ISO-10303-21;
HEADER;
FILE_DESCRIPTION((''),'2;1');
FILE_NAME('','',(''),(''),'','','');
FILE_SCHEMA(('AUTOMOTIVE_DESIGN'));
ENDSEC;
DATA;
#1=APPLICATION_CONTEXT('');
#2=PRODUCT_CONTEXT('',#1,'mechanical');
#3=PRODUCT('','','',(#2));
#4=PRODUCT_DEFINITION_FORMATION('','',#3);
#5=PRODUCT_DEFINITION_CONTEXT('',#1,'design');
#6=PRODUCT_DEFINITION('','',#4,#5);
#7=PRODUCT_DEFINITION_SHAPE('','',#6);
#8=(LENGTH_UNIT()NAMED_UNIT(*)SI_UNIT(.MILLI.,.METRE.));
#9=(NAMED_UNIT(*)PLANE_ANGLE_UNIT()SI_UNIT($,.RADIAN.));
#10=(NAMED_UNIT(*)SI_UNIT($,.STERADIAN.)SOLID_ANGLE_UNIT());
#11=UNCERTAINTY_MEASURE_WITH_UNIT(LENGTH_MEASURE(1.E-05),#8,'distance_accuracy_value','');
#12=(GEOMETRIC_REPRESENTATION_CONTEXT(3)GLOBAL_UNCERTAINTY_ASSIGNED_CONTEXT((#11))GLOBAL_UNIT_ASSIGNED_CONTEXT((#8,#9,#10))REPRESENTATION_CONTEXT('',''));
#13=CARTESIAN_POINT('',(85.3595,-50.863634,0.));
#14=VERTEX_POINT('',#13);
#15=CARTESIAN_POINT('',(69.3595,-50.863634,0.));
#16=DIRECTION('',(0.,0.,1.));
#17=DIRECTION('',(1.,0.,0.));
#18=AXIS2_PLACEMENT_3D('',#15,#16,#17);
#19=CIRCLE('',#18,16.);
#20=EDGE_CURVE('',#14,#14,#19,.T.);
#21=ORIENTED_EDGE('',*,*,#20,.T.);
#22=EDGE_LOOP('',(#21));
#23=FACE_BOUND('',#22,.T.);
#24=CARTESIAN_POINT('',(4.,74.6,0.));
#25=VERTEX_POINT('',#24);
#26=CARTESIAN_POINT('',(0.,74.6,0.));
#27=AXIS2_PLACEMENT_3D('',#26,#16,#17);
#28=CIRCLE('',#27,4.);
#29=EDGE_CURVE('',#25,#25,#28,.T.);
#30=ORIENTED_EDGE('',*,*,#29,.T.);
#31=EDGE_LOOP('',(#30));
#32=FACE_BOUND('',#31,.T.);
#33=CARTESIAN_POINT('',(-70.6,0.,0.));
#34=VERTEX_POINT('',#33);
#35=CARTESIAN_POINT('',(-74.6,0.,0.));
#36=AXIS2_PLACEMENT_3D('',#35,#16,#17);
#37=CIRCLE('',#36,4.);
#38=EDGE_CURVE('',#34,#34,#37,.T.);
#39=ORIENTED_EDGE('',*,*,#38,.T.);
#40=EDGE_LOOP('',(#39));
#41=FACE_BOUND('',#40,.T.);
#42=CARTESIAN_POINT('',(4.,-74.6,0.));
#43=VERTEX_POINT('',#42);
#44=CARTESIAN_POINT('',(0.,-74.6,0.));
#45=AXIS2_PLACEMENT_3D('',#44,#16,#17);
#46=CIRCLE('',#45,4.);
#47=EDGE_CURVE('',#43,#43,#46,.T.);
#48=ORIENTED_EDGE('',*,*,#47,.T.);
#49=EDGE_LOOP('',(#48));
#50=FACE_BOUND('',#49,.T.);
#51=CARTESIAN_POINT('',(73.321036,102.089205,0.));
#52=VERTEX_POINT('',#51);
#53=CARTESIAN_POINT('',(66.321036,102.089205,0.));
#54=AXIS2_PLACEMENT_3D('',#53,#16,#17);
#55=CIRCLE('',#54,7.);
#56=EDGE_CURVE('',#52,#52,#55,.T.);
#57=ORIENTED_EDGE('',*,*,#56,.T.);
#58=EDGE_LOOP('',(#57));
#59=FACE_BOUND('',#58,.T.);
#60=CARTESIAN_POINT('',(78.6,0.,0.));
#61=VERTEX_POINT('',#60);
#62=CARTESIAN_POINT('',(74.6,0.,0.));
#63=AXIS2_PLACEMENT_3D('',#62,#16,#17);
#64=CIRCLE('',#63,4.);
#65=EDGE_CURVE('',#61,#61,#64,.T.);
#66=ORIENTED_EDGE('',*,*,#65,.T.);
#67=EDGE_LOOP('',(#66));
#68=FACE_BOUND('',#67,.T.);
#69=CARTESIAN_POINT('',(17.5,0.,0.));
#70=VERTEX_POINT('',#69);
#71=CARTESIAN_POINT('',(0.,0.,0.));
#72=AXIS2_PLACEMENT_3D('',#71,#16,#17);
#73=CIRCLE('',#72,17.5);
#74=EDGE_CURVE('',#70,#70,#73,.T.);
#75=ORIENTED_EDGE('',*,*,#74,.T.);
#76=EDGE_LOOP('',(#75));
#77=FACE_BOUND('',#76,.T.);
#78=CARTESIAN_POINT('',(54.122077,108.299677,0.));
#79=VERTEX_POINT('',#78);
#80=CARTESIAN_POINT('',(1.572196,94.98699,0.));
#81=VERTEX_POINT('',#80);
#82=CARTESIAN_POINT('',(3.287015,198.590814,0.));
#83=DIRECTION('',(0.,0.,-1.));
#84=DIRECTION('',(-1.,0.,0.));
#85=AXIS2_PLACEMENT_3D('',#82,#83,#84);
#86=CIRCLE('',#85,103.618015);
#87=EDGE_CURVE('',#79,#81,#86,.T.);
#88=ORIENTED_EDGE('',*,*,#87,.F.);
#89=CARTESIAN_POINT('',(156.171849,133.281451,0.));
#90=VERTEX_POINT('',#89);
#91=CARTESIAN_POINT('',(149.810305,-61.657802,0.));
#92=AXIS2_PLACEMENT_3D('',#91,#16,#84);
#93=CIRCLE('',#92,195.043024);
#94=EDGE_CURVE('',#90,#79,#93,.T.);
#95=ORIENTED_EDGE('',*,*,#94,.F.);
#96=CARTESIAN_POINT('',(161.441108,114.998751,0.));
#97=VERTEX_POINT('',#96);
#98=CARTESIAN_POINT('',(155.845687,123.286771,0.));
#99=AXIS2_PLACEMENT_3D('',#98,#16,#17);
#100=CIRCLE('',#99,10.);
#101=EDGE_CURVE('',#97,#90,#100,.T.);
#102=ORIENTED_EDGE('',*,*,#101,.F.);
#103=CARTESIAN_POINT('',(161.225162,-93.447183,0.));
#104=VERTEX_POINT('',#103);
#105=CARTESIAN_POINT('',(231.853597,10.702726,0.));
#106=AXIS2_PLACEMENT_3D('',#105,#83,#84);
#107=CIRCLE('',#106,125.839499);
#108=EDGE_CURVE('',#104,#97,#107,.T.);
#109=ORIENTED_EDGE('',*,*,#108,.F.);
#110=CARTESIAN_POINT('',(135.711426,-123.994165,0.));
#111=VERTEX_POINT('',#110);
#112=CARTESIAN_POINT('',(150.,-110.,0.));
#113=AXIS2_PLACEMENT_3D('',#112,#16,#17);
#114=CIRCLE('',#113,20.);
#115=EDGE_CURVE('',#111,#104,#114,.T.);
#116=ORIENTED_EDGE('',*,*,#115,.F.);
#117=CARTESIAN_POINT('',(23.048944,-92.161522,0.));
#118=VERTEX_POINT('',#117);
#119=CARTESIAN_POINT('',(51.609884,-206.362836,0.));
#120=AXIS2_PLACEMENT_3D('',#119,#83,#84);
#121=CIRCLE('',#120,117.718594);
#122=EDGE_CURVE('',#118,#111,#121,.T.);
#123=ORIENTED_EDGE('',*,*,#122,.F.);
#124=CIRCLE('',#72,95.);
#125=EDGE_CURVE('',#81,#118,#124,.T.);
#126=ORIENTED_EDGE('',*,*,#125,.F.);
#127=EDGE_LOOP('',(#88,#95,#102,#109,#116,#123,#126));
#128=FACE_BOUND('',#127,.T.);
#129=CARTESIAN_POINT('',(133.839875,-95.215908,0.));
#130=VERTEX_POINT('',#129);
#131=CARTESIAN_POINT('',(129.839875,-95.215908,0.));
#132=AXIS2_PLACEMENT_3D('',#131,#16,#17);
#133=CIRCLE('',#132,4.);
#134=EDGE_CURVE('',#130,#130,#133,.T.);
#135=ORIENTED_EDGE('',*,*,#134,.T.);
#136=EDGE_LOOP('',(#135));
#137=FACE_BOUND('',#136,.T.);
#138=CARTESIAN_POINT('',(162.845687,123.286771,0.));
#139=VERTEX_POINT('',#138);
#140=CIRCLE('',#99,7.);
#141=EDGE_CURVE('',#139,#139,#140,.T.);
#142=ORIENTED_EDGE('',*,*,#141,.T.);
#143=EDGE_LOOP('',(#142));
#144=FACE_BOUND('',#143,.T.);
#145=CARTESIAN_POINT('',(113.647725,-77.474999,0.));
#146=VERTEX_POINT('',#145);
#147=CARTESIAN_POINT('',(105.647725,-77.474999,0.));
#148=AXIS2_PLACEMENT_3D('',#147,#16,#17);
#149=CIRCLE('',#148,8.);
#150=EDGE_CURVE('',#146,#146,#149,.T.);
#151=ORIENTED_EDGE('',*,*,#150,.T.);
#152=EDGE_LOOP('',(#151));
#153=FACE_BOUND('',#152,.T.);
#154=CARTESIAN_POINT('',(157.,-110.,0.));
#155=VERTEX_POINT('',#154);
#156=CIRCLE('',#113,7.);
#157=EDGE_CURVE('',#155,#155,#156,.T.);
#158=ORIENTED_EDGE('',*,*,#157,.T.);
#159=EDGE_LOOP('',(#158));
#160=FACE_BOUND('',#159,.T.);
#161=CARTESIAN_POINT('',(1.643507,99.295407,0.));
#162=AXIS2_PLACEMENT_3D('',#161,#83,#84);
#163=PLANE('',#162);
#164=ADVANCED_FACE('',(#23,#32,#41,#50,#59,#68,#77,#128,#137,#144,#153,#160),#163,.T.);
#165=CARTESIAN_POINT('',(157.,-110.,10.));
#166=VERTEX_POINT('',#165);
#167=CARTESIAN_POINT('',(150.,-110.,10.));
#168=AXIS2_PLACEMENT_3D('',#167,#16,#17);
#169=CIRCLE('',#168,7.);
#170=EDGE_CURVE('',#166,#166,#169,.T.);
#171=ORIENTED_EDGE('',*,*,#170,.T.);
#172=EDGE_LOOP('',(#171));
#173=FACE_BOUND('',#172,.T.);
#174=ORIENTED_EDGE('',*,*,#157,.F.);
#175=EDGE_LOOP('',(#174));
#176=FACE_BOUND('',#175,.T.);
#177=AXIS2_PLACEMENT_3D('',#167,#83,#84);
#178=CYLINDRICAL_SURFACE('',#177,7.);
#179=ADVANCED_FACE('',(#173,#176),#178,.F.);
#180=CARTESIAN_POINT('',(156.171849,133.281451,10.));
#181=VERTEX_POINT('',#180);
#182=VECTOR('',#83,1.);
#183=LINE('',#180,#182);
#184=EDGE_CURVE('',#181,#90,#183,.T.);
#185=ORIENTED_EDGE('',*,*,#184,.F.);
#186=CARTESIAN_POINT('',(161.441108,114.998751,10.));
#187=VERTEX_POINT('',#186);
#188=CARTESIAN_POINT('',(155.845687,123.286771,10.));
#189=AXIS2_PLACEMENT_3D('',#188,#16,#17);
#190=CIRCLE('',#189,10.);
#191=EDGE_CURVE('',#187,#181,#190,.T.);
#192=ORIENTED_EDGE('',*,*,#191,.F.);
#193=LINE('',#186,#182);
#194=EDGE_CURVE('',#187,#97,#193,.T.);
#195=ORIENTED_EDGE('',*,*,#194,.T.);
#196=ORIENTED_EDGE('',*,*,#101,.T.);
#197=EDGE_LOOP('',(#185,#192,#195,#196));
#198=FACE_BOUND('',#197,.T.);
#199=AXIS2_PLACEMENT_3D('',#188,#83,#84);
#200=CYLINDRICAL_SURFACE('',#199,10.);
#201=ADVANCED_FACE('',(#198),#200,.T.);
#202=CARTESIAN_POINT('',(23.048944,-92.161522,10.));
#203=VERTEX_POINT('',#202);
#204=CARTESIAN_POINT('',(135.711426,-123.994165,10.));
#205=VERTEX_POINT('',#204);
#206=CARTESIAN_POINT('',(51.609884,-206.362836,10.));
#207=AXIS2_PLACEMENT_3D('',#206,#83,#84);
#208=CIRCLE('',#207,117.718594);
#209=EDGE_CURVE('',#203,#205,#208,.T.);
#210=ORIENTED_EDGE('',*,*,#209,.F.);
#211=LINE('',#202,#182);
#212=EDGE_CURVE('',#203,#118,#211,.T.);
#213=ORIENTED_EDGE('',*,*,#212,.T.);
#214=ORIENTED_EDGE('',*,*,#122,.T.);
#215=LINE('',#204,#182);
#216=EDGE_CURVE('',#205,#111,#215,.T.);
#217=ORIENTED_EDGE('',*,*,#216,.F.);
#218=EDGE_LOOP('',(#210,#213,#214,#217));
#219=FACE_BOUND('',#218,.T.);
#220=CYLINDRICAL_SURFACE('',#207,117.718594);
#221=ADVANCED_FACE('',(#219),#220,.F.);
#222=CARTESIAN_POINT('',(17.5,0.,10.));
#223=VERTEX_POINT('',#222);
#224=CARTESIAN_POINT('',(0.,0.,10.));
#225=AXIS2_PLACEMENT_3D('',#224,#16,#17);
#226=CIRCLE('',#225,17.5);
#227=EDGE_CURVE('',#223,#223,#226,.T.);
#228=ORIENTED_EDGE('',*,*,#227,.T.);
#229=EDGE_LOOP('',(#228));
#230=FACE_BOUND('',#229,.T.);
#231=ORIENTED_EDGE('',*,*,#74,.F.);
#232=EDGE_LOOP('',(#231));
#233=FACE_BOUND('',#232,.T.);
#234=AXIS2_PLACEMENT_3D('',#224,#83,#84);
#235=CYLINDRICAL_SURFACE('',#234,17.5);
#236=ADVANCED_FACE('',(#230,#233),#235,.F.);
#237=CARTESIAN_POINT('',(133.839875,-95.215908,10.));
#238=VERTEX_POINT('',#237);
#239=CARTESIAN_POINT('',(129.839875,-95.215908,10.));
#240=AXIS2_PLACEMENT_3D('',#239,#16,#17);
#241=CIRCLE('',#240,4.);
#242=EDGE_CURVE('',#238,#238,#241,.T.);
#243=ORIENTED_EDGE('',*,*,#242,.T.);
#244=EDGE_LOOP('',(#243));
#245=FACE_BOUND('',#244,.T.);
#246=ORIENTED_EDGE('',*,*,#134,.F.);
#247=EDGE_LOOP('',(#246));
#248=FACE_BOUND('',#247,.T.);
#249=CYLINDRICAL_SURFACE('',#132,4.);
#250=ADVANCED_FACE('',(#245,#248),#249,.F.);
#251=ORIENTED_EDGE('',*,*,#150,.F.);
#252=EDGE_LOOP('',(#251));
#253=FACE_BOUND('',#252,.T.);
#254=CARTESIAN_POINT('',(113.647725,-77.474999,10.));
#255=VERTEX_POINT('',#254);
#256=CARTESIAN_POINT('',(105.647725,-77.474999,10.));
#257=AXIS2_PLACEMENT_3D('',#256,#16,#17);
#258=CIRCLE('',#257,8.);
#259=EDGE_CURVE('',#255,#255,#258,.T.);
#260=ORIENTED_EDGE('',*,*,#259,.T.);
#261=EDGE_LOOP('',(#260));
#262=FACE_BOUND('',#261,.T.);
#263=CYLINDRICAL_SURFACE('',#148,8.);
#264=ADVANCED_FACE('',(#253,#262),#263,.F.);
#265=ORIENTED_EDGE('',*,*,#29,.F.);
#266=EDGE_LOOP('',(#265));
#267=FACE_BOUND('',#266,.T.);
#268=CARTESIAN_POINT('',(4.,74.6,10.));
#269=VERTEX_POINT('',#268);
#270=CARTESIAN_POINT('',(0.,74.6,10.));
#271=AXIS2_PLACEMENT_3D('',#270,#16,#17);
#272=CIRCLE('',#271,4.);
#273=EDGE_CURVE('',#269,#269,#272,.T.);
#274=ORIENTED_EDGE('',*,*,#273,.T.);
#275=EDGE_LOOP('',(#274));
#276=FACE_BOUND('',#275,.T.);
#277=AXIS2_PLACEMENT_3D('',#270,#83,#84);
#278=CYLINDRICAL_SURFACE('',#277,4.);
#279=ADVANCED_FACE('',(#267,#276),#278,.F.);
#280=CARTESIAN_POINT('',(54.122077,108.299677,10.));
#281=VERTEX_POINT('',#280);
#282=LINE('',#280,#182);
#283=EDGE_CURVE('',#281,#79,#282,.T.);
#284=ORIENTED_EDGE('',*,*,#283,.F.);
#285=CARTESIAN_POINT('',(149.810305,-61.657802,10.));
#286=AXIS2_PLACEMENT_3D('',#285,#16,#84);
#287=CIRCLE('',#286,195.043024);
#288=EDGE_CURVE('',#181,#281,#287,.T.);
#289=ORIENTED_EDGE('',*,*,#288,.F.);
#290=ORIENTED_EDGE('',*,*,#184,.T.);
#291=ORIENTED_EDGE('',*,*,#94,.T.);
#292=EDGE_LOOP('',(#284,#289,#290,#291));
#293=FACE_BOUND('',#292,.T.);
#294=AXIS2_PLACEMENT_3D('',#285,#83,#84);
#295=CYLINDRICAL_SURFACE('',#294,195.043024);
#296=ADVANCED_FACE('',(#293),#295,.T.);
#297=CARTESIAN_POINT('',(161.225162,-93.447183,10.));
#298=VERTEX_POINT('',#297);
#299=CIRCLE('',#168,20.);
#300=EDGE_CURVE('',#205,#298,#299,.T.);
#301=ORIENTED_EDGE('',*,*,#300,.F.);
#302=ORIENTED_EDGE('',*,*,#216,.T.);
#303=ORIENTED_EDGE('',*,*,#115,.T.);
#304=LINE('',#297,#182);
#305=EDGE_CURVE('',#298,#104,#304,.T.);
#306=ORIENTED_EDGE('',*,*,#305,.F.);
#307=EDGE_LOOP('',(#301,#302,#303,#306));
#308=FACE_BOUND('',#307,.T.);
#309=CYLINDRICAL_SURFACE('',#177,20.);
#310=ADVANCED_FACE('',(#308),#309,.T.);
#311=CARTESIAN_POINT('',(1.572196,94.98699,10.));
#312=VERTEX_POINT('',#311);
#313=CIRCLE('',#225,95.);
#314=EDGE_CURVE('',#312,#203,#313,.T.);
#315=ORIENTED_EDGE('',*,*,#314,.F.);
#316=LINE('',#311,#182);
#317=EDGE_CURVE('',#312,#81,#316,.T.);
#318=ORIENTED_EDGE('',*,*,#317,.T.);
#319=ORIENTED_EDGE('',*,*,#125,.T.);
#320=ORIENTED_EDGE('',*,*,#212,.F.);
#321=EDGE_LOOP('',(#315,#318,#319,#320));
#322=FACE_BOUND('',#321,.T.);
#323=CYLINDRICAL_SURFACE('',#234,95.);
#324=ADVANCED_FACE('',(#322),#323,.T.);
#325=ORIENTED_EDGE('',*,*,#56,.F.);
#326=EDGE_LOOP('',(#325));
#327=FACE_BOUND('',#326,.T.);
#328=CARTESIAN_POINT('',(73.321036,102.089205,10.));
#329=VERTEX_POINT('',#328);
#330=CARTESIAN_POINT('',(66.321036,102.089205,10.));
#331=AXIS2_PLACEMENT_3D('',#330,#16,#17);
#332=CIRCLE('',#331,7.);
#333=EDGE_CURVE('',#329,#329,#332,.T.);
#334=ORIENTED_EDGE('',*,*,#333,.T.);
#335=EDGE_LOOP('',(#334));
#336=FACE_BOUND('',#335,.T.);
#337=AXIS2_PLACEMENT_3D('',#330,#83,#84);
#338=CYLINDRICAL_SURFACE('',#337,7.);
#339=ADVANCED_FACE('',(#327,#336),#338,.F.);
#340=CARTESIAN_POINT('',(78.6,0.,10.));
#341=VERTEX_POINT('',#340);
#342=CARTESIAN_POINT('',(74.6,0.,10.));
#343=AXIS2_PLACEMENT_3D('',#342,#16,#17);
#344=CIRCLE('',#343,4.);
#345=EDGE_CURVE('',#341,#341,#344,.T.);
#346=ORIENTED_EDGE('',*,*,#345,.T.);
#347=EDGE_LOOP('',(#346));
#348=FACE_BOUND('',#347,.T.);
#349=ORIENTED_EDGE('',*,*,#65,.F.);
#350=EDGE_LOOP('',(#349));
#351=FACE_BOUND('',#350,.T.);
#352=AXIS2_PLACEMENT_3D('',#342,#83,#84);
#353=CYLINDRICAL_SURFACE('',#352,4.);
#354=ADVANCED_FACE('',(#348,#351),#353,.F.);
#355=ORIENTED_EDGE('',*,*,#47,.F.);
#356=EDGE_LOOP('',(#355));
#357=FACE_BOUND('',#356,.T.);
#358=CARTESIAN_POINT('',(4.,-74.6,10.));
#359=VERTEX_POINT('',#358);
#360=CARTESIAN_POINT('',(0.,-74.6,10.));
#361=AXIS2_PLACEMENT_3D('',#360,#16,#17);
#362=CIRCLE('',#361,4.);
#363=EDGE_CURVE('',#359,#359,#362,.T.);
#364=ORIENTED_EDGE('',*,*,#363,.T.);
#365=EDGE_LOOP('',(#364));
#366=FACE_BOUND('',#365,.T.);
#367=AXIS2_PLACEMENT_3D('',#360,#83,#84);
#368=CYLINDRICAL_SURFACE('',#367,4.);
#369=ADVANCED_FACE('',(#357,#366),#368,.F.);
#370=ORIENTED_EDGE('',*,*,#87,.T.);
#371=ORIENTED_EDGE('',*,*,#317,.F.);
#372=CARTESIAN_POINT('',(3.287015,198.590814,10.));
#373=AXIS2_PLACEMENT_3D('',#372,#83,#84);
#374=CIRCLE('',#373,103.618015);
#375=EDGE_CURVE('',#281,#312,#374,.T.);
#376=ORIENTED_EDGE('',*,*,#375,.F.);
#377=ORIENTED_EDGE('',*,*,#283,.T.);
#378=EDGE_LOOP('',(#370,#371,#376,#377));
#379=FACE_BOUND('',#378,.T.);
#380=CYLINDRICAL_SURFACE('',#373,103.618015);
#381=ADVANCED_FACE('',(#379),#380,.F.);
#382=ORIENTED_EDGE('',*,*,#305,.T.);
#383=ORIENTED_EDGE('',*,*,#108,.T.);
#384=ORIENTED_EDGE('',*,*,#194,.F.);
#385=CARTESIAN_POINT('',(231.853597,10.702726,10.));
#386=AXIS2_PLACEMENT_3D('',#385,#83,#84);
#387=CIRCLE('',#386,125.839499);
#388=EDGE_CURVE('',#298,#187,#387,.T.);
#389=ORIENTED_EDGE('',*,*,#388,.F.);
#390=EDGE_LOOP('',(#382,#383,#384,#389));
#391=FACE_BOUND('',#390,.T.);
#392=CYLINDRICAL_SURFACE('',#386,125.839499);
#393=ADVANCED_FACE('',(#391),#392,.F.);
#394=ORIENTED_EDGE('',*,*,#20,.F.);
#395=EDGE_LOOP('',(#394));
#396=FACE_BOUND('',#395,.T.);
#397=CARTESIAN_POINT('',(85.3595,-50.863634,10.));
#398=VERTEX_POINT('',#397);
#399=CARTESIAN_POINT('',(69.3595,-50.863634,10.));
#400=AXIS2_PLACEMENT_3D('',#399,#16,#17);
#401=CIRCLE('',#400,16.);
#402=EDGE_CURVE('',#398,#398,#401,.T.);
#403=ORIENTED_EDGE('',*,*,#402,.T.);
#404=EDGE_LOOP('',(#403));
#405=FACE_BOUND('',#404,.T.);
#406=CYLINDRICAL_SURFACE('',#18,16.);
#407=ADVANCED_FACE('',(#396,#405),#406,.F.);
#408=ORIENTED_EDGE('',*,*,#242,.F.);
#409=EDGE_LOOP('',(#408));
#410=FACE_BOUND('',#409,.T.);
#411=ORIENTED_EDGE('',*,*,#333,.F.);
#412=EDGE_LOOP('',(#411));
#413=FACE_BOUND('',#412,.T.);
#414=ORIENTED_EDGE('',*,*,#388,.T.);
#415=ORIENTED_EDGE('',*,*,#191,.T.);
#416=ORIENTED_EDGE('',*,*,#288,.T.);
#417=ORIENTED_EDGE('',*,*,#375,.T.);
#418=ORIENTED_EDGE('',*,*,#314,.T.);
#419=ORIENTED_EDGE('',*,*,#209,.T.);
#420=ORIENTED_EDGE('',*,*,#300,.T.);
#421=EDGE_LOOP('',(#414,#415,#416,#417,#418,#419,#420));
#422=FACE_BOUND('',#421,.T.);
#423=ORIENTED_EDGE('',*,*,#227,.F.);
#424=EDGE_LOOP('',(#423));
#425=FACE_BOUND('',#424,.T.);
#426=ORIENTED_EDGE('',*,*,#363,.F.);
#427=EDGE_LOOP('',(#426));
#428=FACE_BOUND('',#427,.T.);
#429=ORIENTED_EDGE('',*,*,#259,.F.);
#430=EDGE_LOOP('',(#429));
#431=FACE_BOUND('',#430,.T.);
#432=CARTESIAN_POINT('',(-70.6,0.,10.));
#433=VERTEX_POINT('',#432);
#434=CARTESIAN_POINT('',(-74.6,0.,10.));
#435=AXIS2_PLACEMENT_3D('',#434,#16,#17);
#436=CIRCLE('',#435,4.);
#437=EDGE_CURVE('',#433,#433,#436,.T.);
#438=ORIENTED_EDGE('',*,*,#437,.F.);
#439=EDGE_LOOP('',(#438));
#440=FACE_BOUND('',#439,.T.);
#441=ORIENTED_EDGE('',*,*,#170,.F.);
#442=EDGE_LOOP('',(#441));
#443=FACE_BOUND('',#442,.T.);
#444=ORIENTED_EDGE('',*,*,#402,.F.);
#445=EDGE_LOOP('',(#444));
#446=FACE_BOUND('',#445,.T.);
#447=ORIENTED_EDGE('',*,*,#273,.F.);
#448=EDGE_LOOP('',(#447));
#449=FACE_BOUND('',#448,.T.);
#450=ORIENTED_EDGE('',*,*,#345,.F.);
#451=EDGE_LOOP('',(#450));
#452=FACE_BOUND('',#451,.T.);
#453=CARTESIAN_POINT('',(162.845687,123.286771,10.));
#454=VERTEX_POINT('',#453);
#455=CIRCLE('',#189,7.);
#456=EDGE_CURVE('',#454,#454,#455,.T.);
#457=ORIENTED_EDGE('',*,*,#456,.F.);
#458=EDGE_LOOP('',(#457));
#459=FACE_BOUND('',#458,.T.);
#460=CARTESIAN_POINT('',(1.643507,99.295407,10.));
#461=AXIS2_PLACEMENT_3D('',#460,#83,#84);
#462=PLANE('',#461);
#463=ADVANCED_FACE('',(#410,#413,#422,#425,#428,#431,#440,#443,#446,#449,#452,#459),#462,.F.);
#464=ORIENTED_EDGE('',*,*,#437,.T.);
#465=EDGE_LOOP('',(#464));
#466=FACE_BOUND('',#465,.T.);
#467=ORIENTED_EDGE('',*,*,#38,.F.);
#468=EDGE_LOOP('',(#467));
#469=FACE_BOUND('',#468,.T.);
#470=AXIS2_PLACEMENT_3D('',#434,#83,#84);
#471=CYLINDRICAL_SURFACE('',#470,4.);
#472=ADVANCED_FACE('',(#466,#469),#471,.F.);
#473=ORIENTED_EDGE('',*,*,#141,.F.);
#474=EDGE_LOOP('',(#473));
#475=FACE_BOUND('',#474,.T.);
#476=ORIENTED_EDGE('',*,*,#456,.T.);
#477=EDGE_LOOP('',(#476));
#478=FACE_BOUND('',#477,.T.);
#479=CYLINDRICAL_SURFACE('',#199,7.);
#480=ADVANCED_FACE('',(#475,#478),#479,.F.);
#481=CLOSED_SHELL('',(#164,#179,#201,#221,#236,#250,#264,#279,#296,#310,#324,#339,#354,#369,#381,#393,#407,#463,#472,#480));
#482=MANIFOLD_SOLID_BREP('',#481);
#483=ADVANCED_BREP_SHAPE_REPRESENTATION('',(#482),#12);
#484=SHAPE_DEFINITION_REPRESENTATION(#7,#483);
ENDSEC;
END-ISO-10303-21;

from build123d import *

# Parameters (mm, degrees)
SKETCH1_R           = 7
SKETCH1_R_2         = 4
SKETCH1_R_3         = 17.5
BOSS_EXTRUDE1_DEPTH = 10
SKETCH4_R           = 4
SKETCH4_R_2         = 8
SKETCH4_R_3         = 16
CUT_EXTRUDE1_DEPTH  = 11


with BuildPart() as part:
    # Sketch1 → Boss-Extrude1 (new body)
    with BuildSketch(Plane.XY):
        with BuildLine():
            ThreePointArc((1.572195793, 94.986989637), (-94.380567411, -10.83090463), (23.048944019, -92.161522229))
            ThreePointArc((23.048944019, -92.161522229), (83.617990825, -93.079348945), (135.711425994, -123.994164958))
            ThreePointArc((135.711425994, -123.994164958), (165.350102595, -122.820856068), (161.225161537, -93.447183066))
            ThreePointArc((161.225161537, -93.447183066), (106.014165413, 10.833093568), (161.441107802, 114.998751274))
            ThreePointArc((161.441107802, 114.998751274), (165.454566443, 126.056147345), (156.171848547, 133.281450563))
            ThreePointArc((156.171848547, 133.281450563), (103.433194213, 127.791254655), (54.122076862, 108.299676532))
            ThreePointArc((54.122076862, 108.299676532), (28.73316338, 98.145871106), (1.572195793, 94.986989637))
        make_face()
        with Locations((66.321036094, 102.089205288)):
            Circle(SKETCH1_R, mode=Mode.SUBTRACT)
        with Locations((155.845687485, 123.28677103)):
            Circle(SKETCH1_R, mode=Mode.SUBTRACT)
        with Locations((150, -110)):
            Circle(SKETCH1_R, mode=Mode.SUBTRACT)
        with Locations((0, 74.6)):
            Circle(SKETCH1_R_2, mode=Mode.SUBTRACT)
        with Locations((74.6, 0)):
            Circle(SKETCH1_R_2, mode=Mode.SUBTRACT)
        with Locations((0, -74.6)):
            Circle(SKETCH1_R_2, mode=Mode.SUBTRACT)
        with Locations((-74.6, 0)):
            Circle(SKETCH1_R_2, mode=Mode.SUBTRACT)
        Circle(SKETCH1_R_3, mode=Mode.SUBTRACT)
    extrude(amount=BOSS_EXTRUDE1_DEPTH)

    # Sketch4 → Cut-Extrude1 (cut, through all)
    with BuildSketch(Plane.XY.offset(10)):
        with Locations((129.839875104, -95.215908409)):
            Circle(SKETCH4_R)
        with Locations((105.647725228, -77.4749985)):
            Circle(SKETCH4_R_2)
        with Locations((69.359500414, -50.863633637)):
            Circle(SKETCH4_R_3)
    extrude(amount=-CUT_EXTRUDE1_DEPTH, mode=Mode.SUBTRACT)


solid = part.part
